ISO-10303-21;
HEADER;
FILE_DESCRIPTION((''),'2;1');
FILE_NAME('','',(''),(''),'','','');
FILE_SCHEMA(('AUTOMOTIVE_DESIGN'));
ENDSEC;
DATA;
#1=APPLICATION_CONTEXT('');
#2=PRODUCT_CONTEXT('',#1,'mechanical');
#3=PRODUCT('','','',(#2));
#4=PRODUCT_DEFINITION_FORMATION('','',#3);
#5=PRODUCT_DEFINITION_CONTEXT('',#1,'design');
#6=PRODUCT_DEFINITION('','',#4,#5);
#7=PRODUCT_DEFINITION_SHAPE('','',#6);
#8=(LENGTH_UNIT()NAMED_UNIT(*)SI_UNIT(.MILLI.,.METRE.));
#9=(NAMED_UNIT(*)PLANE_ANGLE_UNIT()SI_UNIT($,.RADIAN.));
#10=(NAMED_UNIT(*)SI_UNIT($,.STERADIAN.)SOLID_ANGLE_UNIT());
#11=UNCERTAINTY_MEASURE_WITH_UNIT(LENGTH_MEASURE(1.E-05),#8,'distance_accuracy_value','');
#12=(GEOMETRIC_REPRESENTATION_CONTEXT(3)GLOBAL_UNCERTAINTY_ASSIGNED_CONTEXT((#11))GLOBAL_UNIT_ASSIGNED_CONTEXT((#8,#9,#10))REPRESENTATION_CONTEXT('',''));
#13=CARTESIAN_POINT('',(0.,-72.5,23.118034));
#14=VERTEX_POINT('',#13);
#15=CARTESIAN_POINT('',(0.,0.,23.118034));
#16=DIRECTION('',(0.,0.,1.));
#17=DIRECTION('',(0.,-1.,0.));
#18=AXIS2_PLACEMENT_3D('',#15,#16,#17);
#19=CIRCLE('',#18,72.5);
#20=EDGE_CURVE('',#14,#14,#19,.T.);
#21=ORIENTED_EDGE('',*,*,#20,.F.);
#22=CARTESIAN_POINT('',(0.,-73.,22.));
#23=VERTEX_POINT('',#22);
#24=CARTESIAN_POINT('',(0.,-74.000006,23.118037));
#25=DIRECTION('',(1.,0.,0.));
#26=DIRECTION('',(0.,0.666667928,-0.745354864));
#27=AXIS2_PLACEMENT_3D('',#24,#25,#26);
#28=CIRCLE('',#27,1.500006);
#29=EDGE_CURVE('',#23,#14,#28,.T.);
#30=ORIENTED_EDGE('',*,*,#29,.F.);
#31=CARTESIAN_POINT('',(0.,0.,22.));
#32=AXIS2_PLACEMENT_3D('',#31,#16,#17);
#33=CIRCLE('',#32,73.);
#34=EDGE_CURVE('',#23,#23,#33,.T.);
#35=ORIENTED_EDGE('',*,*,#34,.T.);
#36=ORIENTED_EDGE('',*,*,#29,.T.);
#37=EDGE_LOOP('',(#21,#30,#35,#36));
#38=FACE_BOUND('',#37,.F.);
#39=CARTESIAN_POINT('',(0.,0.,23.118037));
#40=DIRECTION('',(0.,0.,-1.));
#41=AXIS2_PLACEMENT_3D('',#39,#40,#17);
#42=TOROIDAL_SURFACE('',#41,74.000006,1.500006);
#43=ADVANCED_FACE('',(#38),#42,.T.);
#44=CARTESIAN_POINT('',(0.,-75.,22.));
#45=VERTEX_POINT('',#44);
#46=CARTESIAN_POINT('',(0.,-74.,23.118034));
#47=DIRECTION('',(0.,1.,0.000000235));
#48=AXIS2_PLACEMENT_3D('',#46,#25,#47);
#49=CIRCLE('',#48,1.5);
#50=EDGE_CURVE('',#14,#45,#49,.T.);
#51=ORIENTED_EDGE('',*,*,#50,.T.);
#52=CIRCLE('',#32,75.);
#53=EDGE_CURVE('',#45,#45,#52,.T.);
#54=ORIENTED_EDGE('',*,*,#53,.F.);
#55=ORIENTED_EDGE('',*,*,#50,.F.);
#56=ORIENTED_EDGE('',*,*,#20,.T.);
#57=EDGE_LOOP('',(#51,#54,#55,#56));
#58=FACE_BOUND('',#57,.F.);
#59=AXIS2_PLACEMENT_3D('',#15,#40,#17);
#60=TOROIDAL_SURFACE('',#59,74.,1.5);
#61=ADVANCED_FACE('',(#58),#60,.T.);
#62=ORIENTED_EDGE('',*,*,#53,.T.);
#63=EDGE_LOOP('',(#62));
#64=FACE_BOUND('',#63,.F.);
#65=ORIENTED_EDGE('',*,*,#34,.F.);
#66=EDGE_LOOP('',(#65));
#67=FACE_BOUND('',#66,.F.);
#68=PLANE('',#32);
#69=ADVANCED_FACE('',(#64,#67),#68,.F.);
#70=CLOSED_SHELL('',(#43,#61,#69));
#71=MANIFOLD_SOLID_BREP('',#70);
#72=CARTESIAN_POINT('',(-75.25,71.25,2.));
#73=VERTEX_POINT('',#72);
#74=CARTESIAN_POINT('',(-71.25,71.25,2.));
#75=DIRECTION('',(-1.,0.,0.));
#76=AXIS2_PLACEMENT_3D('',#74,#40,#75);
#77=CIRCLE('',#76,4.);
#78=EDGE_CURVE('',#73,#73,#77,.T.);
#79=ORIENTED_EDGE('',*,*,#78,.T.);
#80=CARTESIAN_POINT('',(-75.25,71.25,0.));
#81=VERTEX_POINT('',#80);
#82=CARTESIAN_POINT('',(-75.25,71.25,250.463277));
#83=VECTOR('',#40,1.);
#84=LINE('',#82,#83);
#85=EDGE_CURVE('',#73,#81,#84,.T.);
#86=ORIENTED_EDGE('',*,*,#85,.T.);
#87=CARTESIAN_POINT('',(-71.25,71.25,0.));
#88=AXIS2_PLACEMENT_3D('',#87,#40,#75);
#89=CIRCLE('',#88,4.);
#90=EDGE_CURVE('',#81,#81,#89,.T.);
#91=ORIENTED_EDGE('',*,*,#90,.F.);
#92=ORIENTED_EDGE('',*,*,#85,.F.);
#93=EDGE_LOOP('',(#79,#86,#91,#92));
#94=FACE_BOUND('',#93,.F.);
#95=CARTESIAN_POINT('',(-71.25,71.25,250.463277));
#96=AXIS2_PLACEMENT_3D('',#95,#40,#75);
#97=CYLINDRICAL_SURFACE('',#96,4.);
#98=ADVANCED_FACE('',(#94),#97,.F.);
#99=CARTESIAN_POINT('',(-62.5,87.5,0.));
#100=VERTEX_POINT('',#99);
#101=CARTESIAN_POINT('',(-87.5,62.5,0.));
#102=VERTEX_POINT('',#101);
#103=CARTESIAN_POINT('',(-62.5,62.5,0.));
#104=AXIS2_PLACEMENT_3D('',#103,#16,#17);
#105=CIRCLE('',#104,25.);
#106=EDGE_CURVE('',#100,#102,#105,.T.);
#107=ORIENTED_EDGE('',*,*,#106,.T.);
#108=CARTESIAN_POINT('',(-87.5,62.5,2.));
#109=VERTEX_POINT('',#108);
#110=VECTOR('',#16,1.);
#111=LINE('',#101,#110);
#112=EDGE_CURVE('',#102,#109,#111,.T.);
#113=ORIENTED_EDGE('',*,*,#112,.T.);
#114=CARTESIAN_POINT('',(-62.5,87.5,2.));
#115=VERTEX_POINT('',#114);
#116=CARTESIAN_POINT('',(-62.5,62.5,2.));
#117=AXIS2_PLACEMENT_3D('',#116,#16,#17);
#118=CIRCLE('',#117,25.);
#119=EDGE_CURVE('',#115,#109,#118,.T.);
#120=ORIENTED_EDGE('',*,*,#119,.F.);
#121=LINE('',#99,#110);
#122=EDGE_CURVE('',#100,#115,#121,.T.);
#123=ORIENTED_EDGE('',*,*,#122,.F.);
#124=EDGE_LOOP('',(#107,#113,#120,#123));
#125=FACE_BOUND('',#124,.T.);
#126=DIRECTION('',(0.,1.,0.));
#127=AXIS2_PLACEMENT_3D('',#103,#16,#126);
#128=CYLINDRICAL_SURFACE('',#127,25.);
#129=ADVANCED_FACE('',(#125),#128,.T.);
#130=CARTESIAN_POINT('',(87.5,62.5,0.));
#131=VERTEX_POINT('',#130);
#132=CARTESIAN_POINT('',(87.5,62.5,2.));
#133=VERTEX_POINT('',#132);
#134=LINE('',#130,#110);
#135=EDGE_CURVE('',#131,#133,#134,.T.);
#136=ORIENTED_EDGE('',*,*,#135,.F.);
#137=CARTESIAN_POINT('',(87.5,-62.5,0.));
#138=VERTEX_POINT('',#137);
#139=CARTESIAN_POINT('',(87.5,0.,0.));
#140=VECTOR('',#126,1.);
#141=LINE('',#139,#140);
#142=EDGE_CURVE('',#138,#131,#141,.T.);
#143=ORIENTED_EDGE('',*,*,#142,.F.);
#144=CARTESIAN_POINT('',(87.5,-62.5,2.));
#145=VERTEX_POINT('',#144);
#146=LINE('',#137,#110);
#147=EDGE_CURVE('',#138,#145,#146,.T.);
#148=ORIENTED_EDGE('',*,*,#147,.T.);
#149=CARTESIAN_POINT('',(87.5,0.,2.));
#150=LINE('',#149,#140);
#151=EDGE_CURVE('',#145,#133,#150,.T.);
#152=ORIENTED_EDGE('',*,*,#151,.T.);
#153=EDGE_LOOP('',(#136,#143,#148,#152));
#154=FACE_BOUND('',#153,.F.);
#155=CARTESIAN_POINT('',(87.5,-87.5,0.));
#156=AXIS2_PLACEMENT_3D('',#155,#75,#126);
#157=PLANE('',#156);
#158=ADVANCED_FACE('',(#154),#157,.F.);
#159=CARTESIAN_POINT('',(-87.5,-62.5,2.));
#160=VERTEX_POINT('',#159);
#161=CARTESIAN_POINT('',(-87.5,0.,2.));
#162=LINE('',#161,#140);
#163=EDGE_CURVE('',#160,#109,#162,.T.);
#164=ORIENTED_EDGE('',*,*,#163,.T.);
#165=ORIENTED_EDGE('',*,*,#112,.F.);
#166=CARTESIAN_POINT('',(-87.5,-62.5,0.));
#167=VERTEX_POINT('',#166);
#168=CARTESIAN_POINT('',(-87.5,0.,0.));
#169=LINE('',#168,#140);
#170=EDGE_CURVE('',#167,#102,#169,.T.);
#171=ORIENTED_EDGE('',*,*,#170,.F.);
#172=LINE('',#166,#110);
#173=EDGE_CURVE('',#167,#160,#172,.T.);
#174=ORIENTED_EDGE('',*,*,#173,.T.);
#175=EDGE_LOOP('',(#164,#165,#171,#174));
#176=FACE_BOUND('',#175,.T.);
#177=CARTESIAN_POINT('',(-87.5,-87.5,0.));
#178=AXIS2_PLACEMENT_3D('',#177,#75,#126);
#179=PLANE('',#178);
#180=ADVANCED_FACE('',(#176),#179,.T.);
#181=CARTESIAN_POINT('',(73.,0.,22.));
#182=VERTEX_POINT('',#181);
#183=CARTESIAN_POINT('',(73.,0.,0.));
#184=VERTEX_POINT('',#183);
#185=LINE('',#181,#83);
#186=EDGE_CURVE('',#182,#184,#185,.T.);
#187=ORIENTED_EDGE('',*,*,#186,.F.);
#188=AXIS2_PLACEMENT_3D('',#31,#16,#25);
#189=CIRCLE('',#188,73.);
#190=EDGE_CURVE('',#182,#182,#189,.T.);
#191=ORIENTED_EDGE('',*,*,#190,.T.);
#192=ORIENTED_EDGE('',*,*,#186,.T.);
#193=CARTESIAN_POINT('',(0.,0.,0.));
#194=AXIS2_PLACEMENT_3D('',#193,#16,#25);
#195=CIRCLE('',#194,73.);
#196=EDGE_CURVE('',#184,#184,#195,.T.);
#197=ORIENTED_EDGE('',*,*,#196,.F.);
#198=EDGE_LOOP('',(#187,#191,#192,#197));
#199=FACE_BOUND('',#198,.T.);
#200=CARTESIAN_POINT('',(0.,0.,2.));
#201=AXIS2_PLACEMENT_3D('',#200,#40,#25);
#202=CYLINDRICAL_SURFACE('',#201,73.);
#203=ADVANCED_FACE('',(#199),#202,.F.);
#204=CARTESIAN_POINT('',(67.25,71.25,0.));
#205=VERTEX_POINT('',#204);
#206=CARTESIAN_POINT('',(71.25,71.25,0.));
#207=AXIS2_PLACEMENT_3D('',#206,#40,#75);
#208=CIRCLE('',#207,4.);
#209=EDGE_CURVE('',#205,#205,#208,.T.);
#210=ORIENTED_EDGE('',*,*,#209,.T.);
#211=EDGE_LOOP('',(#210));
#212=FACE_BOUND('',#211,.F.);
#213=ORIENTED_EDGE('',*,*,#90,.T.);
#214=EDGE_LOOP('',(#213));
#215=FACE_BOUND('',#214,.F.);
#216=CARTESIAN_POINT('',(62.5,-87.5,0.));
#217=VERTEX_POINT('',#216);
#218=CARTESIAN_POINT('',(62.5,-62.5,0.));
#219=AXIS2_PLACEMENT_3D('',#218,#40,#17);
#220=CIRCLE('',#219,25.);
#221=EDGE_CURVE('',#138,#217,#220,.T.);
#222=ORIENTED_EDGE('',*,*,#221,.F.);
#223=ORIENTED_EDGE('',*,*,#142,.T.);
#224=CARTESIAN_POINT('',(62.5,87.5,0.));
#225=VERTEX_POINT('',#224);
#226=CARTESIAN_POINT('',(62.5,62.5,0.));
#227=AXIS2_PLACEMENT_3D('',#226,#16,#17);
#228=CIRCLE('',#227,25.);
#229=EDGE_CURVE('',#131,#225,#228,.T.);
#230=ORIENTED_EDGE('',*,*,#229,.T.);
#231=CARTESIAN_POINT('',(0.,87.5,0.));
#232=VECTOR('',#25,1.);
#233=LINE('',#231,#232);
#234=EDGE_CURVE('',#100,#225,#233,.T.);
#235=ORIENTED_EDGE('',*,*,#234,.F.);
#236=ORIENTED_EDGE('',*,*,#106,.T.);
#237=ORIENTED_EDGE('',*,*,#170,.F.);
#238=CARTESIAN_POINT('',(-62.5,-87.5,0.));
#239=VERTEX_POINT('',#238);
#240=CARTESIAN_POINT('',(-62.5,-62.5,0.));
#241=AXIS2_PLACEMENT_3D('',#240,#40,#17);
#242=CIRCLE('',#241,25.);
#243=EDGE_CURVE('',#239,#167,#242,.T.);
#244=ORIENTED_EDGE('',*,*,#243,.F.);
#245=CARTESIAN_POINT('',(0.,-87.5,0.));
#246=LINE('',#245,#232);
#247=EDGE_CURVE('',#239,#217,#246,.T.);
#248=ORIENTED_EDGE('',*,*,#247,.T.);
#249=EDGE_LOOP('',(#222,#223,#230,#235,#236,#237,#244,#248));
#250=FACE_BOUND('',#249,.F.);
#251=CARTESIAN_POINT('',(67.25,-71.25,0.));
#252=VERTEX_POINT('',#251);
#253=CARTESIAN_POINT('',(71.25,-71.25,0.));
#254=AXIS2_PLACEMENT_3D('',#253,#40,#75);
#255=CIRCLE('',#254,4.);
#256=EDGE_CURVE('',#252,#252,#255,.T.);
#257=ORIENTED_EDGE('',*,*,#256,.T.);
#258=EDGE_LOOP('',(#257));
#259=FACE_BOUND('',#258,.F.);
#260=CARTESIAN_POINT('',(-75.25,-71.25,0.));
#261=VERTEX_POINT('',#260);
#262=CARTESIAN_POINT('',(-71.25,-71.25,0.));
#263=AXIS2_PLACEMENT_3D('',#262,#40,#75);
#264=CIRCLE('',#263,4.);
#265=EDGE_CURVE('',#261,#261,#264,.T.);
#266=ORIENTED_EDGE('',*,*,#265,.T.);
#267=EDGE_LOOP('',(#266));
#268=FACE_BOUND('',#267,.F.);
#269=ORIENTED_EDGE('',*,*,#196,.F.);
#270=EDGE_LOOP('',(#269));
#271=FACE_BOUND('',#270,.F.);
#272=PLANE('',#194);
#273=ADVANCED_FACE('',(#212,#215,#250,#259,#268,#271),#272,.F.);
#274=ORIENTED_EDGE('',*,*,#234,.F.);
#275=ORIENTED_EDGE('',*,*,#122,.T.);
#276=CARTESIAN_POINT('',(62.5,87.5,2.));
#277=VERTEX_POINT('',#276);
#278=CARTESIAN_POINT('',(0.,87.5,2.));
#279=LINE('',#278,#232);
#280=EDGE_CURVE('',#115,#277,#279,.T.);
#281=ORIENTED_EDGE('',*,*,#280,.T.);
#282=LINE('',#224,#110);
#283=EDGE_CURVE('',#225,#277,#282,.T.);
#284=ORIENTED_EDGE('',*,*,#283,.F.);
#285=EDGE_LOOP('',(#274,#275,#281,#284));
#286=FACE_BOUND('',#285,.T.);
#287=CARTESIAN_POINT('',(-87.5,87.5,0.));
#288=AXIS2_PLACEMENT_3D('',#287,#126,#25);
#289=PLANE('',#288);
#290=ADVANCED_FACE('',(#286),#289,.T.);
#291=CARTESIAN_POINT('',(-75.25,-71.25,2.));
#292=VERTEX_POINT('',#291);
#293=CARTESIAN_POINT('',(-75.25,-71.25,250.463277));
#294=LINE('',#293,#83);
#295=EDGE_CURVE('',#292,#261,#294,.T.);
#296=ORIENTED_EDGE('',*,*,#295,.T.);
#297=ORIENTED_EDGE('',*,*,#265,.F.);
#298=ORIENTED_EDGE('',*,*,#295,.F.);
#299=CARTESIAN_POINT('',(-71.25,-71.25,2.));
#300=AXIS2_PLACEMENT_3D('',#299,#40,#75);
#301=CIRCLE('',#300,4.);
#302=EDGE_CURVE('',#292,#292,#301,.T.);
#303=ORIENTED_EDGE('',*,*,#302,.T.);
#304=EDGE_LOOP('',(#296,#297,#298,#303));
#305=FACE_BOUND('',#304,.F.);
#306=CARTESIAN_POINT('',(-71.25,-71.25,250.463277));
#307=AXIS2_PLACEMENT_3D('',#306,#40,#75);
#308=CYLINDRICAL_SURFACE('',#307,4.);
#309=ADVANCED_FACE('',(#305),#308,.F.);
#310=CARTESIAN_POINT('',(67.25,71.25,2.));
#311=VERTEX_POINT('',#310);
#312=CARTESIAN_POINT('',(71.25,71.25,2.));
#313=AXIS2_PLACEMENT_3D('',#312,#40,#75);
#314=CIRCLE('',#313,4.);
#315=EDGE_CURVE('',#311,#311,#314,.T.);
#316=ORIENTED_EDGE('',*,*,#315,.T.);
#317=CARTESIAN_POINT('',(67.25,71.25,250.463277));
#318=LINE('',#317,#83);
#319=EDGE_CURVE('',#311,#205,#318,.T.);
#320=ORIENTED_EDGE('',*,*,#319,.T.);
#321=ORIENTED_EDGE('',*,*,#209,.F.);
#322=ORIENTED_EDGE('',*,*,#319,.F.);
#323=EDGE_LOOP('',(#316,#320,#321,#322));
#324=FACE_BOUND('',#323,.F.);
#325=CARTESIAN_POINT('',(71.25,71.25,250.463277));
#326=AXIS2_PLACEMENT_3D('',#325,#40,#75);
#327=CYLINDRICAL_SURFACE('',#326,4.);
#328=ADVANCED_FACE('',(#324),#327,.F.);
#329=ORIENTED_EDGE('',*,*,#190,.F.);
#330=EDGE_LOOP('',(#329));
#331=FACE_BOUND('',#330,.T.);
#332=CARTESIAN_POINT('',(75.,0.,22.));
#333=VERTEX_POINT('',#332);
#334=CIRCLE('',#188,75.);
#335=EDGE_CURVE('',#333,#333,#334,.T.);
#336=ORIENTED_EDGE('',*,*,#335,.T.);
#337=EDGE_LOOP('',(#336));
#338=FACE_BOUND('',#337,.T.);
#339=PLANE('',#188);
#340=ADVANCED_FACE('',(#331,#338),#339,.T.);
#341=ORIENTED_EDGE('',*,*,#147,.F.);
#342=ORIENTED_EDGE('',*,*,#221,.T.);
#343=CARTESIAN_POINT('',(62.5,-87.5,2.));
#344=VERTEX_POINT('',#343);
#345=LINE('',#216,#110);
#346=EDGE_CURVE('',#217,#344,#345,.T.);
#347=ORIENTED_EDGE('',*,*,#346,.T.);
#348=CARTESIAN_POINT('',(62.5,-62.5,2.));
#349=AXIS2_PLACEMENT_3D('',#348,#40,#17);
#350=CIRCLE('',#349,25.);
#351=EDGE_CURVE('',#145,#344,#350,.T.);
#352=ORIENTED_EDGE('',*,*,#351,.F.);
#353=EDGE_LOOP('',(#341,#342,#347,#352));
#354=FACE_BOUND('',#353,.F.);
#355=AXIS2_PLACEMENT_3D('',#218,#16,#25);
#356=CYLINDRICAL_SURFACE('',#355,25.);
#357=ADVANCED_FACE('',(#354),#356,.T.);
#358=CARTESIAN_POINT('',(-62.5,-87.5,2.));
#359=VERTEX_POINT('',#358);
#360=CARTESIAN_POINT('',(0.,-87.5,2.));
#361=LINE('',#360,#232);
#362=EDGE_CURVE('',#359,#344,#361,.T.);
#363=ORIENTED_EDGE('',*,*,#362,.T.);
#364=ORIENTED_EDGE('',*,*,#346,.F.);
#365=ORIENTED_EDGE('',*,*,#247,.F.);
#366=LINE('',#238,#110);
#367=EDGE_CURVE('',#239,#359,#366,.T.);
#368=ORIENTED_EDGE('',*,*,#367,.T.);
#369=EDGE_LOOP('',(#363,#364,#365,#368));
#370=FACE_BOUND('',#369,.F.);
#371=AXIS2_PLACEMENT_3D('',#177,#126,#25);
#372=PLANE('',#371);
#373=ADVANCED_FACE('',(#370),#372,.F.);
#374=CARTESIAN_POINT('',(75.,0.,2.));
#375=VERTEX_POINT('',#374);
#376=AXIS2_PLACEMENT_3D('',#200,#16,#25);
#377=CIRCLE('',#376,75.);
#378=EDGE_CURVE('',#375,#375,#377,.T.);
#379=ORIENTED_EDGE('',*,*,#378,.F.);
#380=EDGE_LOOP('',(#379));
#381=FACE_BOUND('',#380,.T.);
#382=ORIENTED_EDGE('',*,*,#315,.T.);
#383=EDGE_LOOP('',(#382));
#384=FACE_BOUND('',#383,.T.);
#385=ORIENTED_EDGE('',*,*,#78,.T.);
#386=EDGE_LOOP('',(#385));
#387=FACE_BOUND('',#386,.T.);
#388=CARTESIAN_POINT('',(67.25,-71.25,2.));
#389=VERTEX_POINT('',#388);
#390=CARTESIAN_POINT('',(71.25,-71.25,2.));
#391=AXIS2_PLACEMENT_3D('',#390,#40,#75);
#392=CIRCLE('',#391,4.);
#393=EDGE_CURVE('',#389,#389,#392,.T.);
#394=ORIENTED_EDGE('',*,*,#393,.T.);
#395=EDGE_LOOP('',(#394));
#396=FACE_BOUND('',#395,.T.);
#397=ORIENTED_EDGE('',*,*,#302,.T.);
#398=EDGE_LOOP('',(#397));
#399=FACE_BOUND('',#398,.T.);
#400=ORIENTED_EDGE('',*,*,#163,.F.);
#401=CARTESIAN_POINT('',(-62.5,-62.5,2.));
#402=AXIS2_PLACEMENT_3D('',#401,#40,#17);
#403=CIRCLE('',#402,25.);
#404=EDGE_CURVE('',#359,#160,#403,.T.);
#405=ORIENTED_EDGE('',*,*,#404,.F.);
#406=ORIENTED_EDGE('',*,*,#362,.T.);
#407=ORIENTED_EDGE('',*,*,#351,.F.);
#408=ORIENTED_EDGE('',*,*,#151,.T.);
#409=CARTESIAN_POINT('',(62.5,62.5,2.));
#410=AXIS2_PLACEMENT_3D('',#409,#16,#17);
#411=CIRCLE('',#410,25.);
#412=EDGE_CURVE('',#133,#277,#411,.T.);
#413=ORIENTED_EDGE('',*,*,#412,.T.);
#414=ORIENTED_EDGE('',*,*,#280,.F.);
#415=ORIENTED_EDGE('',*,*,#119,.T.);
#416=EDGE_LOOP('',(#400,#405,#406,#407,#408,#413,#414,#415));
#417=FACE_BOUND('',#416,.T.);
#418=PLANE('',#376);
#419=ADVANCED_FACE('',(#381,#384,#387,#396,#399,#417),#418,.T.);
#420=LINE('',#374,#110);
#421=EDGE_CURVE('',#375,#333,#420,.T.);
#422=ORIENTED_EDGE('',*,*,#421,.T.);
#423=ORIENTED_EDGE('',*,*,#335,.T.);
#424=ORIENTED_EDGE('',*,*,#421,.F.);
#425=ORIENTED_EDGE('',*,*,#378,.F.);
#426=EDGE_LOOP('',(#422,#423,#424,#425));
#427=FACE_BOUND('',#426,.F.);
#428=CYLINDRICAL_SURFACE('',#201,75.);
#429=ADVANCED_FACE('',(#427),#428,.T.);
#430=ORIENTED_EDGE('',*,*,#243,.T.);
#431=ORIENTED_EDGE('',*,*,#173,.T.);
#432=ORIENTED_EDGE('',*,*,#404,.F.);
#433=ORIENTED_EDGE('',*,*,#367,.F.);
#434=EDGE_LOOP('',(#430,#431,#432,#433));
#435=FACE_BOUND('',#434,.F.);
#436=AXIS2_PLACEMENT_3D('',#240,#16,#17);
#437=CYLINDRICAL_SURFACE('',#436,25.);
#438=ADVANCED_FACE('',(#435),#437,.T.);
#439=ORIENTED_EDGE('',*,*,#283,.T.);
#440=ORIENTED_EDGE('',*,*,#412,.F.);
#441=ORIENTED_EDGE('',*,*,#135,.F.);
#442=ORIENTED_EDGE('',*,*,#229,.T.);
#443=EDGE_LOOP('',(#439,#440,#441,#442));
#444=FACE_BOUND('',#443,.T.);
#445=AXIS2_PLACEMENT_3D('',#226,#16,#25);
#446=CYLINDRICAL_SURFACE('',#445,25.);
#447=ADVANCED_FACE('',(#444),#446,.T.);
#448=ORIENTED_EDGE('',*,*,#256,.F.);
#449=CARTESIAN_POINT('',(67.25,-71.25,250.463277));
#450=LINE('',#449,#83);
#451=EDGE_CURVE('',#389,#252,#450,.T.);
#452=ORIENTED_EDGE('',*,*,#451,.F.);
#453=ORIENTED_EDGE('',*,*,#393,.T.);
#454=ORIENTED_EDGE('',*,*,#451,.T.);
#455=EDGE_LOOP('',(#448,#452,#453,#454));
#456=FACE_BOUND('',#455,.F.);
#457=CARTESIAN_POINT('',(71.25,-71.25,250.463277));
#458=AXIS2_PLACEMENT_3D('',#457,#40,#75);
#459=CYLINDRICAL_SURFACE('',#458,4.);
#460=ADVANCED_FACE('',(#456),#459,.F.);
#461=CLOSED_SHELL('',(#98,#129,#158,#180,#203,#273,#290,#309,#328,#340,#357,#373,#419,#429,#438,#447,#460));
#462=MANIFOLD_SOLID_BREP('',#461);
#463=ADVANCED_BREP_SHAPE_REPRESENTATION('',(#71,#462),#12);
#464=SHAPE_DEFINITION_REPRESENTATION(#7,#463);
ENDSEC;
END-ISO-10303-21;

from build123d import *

# Parameters (mm, degrees)
F0_W     = 175
F0_H     = 175
F0_R     = 73
F1_DEPTH = 2
F2_R     = 75
F2_R_2   = 73
F3_DEPTH = 20
F6_R     = 25
F8_D     = 8


with BuildPart() as f1:
    # F0 (on Top) → F1 (new body)
    with BuildSketch(Plane.XY):
        Rectangle(F0_W, F0_H)
        Circle(F0_R, mode=Mode.SUBTRACT)
    extrude(amount=F1_DEPTH)

    # F2 (on face) → F3 (join)
    with BuildSketch(Plane.XY.offset(2)):
        Circle(F2_R)
        Circle(F2_R_2, mode=Mode.SUBTRACT)
    extrude(amount=F3_DEPTH)

    # F6
    f6_edges = [f1.edges().sort_by_distance(p)[0] for p in [
        (-87.5, -87.5, 1),
        (87.5, -87.5, 1),
        (87.5, 87.5, 1),
        (-87.5, 87.5, 1),
    ]]
    fillet(f6_edges, radius=F6_R)

    # F8 (through all)
    with Locations(Plane.XY.offset(2)):
        with Locations((-71.25, 71.25), (71.25, 71.25), (71.25, -71.25), (-71.25, -71.25)):
            Hole(F8_D / 2)


with BuildPart() as f5:
    # F4 (on Right) → F5 (revolve)
    with BuildSketch(Plane.YZ):
        with BuildLine():
            Line((-75, 22), (-73, 22))
            ThreePointArc((-73, 22), (-72.630694, 22.505662), (-72.5, 23.118034))
            ThreePointArc((-72.5, 23.118034), (-74.612372, 24.48734), (-75, 22))
        make_face()
    revolve(axis=Axis((0, 0, 16.390443), (0, 0, 1)))


solid = Compound([f1.part, f5.part])
